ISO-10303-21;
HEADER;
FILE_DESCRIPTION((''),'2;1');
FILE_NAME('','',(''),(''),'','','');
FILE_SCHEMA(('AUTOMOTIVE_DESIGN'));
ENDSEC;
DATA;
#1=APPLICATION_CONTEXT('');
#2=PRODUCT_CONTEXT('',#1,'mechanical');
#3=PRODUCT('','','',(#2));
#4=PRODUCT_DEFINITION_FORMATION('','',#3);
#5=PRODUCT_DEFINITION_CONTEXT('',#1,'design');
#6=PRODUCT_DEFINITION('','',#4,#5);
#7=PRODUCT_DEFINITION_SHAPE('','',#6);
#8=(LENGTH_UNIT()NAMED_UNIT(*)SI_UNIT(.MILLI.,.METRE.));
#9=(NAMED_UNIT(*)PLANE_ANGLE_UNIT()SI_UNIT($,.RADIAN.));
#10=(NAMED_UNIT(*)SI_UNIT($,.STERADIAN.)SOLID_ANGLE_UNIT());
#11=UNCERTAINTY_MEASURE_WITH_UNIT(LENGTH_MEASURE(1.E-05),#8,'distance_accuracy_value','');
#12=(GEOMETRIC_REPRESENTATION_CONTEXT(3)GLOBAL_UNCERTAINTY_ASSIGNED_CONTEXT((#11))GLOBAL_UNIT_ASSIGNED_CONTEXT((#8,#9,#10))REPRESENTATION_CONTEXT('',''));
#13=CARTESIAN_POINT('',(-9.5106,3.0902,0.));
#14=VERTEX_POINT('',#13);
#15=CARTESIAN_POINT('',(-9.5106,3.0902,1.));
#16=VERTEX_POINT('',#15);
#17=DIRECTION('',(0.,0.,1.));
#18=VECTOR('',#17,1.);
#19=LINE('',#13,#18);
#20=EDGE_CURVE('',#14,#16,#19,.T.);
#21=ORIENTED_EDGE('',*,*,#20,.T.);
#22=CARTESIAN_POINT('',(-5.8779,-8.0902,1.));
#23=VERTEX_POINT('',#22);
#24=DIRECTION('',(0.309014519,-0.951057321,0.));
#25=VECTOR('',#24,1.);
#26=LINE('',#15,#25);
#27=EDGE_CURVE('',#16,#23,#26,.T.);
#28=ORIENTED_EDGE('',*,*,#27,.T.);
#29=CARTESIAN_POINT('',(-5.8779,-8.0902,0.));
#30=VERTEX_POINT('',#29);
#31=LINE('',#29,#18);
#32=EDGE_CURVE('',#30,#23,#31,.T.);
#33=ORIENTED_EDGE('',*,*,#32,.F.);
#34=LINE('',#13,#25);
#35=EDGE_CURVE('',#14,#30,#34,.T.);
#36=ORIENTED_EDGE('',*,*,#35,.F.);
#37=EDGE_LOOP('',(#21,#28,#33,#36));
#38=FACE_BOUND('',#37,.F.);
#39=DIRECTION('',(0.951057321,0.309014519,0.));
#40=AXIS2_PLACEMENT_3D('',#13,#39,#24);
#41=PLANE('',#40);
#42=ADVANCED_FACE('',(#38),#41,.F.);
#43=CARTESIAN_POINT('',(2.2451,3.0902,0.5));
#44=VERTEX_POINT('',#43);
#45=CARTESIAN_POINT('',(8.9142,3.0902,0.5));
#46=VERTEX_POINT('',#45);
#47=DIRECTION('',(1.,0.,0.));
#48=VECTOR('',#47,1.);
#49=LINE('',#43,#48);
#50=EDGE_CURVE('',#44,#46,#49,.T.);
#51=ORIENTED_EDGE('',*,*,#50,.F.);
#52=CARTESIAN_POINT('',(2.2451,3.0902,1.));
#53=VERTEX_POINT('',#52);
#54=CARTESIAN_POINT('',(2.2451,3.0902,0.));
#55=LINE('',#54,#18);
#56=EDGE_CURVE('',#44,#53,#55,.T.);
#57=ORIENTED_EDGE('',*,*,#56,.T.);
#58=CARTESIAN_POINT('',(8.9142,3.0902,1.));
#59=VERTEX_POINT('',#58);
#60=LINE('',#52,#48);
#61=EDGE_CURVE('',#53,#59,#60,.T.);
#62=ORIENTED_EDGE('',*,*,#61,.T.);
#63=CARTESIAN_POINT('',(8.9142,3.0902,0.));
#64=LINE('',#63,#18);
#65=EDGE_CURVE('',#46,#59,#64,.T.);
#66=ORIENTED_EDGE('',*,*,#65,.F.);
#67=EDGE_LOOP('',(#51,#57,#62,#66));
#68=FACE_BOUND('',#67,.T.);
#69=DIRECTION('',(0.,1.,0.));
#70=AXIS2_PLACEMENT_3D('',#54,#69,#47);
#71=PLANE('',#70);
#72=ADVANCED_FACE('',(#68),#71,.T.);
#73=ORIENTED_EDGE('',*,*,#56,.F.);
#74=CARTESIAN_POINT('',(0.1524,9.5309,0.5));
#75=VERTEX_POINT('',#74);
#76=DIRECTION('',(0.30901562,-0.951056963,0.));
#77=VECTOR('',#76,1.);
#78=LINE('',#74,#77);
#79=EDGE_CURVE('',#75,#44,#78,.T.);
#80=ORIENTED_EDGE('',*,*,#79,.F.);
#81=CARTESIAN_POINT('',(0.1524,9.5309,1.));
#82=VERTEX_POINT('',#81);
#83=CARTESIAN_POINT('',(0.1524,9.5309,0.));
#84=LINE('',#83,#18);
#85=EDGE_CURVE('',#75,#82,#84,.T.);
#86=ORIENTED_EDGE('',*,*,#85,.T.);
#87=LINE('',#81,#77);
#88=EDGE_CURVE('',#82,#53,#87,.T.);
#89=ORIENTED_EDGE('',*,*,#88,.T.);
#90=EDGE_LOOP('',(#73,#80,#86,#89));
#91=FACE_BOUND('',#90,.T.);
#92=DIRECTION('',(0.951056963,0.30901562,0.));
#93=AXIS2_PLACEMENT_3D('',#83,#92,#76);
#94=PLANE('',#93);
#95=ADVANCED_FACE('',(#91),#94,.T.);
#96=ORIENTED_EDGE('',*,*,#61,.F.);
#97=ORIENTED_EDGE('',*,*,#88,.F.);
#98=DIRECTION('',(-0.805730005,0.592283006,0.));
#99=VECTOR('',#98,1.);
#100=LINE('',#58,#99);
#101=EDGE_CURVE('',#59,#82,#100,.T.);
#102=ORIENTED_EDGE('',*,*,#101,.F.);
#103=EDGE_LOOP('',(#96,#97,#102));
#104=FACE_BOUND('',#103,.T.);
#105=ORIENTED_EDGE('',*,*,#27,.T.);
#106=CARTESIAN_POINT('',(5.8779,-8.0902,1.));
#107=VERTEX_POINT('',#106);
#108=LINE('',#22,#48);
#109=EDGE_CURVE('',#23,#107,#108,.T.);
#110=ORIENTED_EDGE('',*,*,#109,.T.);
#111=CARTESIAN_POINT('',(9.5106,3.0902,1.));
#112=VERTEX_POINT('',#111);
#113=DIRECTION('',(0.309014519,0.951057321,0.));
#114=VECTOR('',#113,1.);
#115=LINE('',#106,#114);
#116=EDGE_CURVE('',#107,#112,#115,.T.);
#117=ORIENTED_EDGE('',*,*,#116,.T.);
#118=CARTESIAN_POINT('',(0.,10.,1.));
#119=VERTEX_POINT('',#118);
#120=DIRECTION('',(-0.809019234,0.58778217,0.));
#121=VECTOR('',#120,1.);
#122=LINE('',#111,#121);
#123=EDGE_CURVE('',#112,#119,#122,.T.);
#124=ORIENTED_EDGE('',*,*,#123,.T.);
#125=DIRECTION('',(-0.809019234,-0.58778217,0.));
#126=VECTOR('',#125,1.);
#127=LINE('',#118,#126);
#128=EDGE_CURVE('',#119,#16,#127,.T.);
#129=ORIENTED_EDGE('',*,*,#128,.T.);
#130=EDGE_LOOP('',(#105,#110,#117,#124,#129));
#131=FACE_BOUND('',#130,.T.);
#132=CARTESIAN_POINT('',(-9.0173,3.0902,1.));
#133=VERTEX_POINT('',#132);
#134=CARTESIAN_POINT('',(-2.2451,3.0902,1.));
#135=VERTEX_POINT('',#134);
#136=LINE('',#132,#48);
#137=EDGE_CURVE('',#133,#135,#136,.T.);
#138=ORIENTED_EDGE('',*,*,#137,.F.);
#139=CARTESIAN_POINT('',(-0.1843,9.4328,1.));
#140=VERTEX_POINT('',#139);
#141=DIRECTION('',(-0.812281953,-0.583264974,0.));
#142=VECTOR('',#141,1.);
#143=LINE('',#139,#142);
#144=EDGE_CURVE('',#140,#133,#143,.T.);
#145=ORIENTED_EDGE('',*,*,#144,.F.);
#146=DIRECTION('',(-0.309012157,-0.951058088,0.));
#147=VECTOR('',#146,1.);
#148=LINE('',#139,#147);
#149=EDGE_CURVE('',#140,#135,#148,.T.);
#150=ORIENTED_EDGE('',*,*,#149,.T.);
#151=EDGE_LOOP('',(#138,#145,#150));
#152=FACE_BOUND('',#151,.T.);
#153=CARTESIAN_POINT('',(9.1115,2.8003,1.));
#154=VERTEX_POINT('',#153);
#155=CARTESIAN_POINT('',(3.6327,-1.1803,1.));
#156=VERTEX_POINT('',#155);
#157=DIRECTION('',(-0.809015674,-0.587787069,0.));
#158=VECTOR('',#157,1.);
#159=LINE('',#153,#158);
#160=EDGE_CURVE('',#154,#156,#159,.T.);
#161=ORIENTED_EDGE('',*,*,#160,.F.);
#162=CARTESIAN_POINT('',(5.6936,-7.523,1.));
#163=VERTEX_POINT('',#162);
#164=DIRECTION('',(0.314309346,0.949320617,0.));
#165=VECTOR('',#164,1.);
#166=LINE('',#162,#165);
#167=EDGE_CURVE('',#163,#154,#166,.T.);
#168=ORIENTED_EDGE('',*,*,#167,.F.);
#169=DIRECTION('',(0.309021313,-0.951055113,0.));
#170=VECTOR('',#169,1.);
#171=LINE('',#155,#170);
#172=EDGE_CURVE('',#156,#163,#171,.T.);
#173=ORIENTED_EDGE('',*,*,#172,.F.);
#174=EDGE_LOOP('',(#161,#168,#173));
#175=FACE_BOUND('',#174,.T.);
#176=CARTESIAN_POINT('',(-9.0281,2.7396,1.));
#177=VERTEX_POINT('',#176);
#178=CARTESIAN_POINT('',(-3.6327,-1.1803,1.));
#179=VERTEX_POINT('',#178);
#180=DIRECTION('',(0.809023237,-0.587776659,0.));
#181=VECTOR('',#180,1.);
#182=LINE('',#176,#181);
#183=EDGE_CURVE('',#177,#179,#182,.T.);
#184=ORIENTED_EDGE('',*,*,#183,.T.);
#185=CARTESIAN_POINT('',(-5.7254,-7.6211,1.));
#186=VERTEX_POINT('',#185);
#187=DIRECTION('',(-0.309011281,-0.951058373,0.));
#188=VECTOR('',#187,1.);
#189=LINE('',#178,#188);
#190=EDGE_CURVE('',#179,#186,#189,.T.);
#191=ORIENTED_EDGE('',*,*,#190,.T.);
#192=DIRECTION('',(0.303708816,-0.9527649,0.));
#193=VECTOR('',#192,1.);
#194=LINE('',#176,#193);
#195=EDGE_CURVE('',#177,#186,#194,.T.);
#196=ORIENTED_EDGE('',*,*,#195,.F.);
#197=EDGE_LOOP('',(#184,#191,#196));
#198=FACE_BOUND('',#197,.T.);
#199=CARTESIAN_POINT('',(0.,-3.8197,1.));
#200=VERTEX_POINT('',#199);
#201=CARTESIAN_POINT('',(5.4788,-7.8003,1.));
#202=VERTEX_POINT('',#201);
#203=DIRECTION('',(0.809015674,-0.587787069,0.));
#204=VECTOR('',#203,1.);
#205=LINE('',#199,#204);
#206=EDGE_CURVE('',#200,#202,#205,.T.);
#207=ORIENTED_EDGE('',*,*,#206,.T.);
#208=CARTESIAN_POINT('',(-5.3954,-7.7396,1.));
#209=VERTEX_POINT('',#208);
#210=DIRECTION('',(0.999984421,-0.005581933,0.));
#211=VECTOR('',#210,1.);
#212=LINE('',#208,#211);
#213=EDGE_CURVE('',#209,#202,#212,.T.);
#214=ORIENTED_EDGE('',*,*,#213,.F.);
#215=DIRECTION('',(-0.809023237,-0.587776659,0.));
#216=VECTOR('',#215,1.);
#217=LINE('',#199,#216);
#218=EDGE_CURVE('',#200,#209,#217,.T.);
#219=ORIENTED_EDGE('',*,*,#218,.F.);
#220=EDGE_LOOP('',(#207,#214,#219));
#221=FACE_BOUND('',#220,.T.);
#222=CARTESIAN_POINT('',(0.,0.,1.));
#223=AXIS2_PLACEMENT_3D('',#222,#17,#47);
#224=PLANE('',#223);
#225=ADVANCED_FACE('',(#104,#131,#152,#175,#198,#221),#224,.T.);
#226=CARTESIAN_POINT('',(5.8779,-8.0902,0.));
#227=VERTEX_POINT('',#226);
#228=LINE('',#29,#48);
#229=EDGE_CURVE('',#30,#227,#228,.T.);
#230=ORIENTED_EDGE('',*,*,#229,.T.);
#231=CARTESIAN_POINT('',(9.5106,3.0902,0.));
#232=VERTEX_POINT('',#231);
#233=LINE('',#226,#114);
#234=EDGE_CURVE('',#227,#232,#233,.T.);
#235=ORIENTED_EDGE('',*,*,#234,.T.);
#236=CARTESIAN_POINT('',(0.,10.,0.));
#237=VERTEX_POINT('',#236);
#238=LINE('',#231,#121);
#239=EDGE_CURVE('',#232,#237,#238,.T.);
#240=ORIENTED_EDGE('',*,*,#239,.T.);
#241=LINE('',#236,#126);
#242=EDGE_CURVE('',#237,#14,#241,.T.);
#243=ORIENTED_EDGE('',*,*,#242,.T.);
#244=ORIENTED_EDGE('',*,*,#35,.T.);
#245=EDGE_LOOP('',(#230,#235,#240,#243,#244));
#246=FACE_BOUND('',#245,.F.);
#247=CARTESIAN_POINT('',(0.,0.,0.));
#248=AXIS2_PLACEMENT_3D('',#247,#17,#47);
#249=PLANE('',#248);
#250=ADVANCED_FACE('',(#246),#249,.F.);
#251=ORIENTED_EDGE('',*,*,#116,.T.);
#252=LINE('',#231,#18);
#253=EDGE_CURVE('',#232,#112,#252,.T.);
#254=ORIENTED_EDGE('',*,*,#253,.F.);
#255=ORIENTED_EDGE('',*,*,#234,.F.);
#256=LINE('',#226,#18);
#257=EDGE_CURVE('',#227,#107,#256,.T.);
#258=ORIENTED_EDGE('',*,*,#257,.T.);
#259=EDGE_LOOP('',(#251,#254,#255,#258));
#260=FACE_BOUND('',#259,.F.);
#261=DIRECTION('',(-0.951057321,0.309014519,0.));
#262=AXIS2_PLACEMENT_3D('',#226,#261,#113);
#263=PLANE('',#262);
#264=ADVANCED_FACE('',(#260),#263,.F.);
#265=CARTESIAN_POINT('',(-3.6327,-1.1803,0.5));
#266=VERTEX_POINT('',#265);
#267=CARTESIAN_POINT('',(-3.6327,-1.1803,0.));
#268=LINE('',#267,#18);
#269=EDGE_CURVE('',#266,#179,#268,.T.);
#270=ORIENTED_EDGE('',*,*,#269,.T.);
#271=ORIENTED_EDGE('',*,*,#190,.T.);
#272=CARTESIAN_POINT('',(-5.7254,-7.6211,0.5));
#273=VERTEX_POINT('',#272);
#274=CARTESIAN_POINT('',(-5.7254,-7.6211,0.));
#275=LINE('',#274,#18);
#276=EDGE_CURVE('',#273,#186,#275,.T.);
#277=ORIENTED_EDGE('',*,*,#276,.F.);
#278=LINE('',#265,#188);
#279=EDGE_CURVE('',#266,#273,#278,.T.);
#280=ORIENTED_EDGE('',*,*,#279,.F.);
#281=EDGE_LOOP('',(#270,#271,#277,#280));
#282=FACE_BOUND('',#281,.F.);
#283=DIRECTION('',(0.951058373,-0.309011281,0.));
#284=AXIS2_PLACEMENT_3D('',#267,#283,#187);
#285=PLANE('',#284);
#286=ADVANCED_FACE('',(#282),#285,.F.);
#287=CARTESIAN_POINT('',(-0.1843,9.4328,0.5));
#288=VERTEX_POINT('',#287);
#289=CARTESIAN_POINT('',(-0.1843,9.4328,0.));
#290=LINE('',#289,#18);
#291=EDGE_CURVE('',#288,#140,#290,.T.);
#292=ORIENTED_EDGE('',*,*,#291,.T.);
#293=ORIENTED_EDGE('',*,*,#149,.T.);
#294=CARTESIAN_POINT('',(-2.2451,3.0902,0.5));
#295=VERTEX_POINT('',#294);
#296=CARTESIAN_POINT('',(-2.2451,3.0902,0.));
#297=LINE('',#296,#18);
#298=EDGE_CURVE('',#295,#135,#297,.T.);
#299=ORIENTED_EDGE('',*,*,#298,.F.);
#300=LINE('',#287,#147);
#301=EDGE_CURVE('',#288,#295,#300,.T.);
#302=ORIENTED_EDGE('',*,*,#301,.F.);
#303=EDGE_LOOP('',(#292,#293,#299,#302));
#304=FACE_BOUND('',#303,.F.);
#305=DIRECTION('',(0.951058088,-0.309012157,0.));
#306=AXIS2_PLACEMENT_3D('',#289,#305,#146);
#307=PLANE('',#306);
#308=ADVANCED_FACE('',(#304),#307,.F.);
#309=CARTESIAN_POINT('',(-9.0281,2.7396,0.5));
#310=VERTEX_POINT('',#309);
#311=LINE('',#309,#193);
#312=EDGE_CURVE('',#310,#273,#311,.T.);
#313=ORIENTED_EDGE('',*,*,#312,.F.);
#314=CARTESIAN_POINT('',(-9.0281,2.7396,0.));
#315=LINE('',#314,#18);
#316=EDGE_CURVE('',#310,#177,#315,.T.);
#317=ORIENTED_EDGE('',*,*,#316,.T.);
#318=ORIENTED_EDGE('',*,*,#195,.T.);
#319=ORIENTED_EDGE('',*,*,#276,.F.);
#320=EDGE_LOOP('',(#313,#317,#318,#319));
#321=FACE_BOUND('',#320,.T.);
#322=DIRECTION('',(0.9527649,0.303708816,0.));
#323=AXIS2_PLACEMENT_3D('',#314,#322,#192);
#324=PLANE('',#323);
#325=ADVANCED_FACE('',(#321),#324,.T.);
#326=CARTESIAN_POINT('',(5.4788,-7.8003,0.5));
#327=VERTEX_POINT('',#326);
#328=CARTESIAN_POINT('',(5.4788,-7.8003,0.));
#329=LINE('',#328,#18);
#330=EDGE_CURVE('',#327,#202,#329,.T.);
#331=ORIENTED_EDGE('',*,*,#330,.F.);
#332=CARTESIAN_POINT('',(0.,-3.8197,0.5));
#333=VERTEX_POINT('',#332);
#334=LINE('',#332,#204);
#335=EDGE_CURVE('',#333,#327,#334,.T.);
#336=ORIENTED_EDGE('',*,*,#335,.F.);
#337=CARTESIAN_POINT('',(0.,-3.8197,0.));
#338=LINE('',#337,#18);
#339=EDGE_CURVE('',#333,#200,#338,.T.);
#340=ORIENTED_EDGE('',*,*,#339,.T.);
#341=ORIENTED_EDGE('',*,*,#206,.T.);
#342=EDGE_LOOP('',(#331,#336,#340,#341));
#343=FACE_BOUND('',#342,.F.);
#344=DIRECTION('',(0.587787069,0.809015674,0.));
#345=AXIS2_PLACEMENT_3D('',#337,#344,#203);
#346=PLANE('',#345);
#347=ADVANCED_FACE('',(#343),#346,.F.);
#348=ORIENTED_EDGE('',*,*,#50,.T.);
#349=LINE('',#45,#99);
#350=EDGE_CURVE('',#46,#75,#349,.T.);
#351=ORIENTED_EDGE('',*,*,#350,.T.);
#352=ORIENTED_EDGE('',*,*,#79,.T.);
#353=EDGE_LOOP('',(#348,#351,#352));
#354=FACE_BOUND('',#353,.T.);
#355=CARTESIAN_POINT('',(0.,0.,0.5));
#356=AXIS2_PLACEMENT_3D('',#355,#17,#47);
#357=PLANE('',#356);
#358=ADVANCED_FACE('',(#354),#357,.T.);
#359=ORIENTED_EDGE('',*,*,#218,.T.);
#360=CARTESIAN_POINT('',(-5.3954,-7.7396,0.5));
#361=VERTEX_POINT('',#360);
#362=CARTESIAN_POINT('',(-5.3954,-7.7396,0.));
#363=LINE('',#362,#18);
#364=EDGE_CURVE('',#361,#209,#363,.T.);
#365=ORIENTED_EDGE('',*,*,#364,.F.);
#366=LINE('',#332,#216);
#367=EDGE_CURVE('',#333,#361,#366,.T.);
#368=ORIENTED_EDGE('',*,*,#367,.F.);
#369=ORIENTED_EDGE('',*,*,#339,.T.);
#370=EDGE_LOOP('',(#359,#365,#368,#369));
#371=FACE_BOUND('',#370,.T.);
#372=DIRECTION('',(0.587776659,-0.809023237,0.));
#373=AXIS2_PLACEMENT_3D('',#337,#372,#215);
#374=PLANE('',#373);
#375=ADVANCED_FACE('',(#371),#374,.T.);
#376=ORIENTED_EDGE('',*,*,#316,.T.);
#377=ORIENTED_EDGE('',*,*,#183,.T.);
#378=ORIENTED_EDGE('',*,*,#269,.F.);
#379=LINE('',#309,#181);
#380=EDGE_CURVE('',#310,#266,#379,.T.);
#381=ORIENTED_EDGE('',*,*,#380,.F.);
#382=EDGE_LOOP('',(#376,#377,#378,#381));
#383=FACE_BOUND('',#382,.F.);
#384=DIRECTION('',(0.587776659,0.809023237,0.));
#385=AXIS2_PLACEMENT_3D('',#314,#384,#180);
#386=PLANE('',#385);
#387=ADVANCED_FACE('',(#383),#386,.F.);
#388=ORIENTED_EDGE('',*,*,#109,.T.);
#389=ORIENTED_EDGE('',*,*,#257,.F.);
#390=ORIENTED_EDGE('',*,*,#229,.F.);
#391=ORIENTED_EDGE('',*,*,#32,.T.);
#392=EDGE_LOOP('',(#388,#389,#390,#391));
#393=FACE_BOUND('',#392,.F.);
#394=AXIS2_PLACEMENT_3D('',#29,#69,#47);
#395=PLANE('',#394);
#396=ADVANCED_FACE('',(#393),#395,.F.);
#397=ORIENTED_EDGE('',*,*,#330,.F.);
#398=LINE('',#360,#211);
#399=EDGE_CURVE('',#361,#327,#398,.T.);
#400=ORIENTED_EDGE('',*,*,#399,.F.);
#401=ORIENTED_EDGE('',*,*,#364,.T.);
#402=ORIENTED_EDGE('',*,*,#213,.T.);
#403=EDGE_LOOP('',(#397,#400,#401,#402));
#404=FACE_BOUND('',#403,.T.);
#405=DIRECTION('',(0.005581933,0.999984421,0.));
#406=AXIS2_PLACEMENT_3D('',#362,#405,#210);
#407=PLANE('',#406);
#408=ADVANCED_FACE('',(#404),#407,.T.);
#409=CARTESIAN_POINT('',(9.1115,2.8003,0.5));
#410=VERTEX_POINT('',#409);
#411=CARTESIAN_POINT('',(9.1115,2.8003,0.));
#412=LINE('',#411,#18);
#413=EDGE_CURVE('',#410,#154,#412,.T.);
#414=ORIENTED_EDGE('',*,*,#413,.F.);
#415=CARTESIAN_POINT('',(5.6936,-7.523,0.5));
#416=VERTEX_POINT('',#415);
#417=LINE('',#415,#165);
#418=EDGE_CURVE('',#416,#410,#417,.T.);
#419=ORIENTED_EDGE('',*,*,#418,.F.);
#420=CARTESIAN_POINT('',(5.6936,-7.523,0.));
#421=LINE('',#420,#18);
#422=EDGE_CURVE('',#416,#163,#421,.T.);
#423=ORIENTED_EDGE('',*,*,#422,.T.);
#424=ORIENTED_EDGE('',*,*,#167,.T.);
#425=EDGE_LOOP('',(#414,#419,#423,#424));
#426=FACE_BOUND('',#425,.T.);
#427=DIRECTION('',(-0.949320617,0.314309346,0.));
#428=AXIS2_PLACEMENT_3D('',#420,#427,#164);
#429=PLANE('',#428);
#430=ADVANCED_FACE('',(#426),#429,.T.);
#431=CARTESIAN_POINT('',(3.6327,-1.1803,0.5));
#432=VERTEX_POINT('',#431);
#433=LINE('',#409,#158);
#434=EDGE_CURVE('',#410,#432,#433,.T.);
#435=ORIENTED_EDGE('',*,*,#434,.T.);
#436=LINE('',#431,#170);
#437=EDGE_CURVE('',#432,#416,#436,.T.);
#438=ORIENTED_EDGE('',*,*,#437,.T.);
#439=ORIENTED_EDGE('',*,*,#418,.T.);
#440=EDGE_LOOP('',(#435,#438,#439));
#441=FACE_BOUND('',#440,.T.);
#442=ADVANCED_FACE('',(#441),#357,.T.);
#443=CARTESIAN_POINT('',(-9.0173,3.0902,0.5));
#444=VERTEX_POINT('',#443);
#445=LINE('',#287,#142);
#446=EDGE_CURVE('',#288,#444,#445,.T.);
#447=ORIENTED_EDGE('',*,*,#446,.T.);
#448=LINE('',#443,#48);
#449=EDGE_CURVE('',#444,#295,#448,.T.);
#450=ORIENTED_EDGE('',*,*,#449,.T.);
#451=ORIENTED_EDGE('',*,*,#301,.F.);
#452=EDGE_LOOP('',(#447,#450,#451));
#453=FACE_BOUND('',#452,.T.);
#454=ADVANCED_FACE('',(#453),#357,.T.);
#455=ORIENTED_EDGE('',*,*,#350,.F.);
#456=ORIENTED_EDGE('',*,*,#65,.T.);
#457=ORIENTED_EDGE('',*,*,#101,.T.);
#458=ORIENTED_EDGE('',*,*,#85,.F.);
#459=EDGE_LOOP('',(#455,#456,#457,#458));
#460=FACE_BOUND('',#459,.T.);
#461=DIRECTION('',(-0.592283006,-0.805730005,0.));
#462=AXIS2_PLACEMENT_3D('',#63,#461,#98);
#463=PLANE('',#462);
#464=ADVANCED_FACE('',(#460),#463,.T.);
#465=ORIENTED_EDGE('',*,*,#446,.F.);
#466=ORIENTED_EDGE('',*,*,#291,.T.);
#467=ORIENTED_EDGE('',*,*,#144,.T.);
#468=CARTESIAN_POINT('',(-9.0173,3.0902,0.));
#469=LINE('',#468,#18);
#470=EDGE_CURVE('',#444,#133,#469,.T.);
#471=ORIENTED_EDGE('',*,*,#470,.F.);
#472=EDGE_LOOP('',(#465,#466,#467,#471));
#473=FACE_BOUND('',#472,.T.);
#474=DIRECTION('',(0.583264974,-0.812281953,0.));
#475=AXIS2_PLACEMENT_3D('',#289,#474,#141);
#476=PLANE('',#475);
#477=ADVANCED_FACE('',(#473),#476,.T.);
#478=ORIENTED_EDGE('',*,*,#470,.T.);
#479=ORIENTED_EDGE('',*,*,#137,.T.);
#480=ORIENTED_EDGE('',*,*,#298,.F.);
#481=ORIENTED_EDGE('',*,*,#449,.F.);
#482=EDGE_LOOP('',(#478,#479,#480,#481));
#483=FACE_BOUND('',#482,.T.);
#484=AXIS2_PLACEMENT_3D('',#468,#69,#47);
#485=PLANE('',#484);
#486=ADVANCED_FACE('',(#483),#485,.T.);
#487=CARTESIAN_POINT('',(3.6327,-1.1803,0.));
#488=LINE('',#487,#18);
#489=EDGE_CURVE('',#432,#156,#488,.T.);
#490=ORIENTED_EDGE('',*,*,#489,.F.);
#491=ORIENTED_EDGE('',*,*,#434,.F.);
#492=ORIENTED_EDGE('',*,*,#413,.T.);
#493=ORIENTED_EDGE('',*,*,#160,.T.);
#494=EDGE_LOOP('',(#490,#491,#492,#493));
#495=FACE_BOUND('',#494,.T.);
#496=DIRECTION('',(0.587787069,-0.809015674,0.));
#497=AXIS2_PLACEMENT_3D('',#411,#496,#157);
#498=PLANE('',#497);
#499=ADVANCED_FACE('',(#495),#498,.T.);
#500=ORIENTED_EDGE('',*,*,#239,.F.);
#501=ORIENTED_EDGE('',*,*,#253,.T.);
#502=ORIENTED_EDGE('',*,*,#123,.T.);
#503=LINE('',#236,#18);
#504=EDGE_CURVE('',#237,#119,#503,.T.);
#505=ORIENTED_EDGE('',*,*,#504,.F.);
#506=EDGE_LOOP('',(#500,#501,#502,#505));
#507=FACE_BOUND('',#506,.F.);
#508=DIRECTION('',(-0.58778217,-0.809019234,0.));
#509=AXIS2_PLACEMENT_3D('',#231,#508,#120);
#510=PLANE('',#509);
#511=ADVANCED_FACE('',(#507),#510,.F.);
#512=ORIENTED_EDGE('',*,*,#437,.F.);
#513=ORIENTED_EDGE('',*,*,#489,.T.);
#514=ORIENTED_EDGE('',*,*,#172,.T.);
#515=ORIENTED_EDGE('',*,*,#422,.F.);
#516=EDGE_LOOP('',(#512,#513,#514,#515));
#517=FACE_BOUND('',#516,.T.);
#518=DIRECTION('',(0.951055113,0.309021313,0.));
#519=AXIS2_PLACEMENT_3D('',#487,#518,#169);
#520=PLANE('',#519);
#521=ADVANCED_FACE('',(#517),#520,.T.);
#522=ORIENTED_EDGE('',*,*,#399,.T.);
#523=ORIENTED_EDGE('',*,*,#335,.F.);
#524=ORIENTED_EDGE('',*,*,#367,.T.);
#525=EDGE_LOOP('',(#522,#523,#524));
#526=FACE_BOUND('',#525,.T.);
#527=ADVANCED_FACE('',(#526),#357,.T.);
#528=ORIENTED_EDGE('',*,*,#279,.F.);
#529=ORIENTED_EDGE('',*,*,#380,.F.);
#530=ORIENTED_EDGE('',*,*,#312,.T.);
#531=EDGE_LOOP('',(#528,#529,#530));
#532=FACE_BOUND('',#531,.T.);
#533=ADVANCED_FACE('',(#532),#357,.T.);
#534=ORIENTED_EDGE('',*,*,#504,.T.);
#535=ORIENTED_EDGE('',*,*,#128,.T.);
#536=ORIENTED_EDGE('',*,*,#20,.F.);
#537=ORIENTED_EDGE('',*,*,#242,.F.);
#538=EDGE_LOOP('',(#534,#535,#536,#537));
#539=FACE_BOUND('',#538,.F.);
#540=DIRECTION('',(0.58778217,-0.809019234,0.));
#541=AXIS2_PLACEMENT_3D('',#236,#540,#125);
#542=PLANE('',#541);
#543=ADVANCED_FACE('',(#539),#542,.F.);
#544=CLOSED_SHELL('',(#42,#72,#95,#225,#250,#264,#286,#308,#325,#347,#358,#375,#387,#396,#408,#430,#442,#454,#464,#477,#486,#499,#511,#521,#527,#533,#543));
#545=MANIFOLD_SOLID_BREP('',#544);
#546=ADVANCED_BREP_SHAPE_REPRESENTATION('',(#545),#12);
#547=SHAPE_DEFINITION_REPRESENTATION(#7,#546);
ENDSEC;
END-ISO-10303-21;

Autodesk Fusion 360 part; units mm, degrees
sketch "Boceto1" plane through (0, 0, 0) normal (0, 0, 1) x (1, 0, 0)
  line L0 (0, 10) -> (-9.5106, 3.0902)
  line L1 (-9.5106, 3.0902) -> (-5.8779, -8.0902)
  line L2 (-5.8779, -8.0902) -> (5.8779, -8.0902)
  line L3 (5.8779, -8.0902) -> (9.5106, 3.0902)
  line L4 (9.5106, 3.0902) -> (0, 10)
  line L5 (-9.0281, 2.7396) -> (-5.6882, -7.738)
  line L6 (-5.3954, -7.7396) -> (5.4788, -7.8003)
  line L7 (5.6936, -7.523) -> (9.1501, 2.9168)
  line L8 (8.9142, 3.0902) -> (0.1524, 9.5309)
  line L9 (-0.1843, 9.4328) -> (-9.0173, 3.0902)
  line L10 (-9.0173, 3.0902) -> (-2.2451, 3.0902)
  line L11 (2.2451, 3.0902) -> (8.9142, 3.0902)
  line L12 (-9.0281, 2.7396) -> (-3.6327, -1.1803)
  line L13 (0, -3.8197) -> (5.4788, -7.8003)
  line L14 (9.1115, 2.8003) -> (3.6327, -1.1803)
  line L15 (0, -3.8197) -> (-5.3954, -7.7396)
  line L16 (-0.1843, 9.4328) -> (-2.2451, 3.0902)
  line L17 (-3.6327, -1.1803) -> (-5.7254, -7.6211)
  line L18 (0.1524, 9.5309) -> (2.2451, 3.0902)
  line L19 (3.6327, -1.1803) -> (5.6936, -7.523)
extrude "Extruir1" add sketch "Boceto1" along normal blind 0.5 contours L5 L12 L17 | L6 L13 L15 | L7 L14 L19 | L8 L11 L18 | L9 L10 L16 makes body 1 at (0.0278, -6.4532, 0) makes body 2 at (-6.1287, -2.0206, 0) makes body 3 at (6.1459, -1.9677, 0) makes body 4 at (-3.8156, 5.2044, 0) makes body 5 at (3.7706, 5.2371, 0)
extrude "Extruir2" add sketch "Boceto1" along normal blind 1 bodies 1 2 3 4 5
